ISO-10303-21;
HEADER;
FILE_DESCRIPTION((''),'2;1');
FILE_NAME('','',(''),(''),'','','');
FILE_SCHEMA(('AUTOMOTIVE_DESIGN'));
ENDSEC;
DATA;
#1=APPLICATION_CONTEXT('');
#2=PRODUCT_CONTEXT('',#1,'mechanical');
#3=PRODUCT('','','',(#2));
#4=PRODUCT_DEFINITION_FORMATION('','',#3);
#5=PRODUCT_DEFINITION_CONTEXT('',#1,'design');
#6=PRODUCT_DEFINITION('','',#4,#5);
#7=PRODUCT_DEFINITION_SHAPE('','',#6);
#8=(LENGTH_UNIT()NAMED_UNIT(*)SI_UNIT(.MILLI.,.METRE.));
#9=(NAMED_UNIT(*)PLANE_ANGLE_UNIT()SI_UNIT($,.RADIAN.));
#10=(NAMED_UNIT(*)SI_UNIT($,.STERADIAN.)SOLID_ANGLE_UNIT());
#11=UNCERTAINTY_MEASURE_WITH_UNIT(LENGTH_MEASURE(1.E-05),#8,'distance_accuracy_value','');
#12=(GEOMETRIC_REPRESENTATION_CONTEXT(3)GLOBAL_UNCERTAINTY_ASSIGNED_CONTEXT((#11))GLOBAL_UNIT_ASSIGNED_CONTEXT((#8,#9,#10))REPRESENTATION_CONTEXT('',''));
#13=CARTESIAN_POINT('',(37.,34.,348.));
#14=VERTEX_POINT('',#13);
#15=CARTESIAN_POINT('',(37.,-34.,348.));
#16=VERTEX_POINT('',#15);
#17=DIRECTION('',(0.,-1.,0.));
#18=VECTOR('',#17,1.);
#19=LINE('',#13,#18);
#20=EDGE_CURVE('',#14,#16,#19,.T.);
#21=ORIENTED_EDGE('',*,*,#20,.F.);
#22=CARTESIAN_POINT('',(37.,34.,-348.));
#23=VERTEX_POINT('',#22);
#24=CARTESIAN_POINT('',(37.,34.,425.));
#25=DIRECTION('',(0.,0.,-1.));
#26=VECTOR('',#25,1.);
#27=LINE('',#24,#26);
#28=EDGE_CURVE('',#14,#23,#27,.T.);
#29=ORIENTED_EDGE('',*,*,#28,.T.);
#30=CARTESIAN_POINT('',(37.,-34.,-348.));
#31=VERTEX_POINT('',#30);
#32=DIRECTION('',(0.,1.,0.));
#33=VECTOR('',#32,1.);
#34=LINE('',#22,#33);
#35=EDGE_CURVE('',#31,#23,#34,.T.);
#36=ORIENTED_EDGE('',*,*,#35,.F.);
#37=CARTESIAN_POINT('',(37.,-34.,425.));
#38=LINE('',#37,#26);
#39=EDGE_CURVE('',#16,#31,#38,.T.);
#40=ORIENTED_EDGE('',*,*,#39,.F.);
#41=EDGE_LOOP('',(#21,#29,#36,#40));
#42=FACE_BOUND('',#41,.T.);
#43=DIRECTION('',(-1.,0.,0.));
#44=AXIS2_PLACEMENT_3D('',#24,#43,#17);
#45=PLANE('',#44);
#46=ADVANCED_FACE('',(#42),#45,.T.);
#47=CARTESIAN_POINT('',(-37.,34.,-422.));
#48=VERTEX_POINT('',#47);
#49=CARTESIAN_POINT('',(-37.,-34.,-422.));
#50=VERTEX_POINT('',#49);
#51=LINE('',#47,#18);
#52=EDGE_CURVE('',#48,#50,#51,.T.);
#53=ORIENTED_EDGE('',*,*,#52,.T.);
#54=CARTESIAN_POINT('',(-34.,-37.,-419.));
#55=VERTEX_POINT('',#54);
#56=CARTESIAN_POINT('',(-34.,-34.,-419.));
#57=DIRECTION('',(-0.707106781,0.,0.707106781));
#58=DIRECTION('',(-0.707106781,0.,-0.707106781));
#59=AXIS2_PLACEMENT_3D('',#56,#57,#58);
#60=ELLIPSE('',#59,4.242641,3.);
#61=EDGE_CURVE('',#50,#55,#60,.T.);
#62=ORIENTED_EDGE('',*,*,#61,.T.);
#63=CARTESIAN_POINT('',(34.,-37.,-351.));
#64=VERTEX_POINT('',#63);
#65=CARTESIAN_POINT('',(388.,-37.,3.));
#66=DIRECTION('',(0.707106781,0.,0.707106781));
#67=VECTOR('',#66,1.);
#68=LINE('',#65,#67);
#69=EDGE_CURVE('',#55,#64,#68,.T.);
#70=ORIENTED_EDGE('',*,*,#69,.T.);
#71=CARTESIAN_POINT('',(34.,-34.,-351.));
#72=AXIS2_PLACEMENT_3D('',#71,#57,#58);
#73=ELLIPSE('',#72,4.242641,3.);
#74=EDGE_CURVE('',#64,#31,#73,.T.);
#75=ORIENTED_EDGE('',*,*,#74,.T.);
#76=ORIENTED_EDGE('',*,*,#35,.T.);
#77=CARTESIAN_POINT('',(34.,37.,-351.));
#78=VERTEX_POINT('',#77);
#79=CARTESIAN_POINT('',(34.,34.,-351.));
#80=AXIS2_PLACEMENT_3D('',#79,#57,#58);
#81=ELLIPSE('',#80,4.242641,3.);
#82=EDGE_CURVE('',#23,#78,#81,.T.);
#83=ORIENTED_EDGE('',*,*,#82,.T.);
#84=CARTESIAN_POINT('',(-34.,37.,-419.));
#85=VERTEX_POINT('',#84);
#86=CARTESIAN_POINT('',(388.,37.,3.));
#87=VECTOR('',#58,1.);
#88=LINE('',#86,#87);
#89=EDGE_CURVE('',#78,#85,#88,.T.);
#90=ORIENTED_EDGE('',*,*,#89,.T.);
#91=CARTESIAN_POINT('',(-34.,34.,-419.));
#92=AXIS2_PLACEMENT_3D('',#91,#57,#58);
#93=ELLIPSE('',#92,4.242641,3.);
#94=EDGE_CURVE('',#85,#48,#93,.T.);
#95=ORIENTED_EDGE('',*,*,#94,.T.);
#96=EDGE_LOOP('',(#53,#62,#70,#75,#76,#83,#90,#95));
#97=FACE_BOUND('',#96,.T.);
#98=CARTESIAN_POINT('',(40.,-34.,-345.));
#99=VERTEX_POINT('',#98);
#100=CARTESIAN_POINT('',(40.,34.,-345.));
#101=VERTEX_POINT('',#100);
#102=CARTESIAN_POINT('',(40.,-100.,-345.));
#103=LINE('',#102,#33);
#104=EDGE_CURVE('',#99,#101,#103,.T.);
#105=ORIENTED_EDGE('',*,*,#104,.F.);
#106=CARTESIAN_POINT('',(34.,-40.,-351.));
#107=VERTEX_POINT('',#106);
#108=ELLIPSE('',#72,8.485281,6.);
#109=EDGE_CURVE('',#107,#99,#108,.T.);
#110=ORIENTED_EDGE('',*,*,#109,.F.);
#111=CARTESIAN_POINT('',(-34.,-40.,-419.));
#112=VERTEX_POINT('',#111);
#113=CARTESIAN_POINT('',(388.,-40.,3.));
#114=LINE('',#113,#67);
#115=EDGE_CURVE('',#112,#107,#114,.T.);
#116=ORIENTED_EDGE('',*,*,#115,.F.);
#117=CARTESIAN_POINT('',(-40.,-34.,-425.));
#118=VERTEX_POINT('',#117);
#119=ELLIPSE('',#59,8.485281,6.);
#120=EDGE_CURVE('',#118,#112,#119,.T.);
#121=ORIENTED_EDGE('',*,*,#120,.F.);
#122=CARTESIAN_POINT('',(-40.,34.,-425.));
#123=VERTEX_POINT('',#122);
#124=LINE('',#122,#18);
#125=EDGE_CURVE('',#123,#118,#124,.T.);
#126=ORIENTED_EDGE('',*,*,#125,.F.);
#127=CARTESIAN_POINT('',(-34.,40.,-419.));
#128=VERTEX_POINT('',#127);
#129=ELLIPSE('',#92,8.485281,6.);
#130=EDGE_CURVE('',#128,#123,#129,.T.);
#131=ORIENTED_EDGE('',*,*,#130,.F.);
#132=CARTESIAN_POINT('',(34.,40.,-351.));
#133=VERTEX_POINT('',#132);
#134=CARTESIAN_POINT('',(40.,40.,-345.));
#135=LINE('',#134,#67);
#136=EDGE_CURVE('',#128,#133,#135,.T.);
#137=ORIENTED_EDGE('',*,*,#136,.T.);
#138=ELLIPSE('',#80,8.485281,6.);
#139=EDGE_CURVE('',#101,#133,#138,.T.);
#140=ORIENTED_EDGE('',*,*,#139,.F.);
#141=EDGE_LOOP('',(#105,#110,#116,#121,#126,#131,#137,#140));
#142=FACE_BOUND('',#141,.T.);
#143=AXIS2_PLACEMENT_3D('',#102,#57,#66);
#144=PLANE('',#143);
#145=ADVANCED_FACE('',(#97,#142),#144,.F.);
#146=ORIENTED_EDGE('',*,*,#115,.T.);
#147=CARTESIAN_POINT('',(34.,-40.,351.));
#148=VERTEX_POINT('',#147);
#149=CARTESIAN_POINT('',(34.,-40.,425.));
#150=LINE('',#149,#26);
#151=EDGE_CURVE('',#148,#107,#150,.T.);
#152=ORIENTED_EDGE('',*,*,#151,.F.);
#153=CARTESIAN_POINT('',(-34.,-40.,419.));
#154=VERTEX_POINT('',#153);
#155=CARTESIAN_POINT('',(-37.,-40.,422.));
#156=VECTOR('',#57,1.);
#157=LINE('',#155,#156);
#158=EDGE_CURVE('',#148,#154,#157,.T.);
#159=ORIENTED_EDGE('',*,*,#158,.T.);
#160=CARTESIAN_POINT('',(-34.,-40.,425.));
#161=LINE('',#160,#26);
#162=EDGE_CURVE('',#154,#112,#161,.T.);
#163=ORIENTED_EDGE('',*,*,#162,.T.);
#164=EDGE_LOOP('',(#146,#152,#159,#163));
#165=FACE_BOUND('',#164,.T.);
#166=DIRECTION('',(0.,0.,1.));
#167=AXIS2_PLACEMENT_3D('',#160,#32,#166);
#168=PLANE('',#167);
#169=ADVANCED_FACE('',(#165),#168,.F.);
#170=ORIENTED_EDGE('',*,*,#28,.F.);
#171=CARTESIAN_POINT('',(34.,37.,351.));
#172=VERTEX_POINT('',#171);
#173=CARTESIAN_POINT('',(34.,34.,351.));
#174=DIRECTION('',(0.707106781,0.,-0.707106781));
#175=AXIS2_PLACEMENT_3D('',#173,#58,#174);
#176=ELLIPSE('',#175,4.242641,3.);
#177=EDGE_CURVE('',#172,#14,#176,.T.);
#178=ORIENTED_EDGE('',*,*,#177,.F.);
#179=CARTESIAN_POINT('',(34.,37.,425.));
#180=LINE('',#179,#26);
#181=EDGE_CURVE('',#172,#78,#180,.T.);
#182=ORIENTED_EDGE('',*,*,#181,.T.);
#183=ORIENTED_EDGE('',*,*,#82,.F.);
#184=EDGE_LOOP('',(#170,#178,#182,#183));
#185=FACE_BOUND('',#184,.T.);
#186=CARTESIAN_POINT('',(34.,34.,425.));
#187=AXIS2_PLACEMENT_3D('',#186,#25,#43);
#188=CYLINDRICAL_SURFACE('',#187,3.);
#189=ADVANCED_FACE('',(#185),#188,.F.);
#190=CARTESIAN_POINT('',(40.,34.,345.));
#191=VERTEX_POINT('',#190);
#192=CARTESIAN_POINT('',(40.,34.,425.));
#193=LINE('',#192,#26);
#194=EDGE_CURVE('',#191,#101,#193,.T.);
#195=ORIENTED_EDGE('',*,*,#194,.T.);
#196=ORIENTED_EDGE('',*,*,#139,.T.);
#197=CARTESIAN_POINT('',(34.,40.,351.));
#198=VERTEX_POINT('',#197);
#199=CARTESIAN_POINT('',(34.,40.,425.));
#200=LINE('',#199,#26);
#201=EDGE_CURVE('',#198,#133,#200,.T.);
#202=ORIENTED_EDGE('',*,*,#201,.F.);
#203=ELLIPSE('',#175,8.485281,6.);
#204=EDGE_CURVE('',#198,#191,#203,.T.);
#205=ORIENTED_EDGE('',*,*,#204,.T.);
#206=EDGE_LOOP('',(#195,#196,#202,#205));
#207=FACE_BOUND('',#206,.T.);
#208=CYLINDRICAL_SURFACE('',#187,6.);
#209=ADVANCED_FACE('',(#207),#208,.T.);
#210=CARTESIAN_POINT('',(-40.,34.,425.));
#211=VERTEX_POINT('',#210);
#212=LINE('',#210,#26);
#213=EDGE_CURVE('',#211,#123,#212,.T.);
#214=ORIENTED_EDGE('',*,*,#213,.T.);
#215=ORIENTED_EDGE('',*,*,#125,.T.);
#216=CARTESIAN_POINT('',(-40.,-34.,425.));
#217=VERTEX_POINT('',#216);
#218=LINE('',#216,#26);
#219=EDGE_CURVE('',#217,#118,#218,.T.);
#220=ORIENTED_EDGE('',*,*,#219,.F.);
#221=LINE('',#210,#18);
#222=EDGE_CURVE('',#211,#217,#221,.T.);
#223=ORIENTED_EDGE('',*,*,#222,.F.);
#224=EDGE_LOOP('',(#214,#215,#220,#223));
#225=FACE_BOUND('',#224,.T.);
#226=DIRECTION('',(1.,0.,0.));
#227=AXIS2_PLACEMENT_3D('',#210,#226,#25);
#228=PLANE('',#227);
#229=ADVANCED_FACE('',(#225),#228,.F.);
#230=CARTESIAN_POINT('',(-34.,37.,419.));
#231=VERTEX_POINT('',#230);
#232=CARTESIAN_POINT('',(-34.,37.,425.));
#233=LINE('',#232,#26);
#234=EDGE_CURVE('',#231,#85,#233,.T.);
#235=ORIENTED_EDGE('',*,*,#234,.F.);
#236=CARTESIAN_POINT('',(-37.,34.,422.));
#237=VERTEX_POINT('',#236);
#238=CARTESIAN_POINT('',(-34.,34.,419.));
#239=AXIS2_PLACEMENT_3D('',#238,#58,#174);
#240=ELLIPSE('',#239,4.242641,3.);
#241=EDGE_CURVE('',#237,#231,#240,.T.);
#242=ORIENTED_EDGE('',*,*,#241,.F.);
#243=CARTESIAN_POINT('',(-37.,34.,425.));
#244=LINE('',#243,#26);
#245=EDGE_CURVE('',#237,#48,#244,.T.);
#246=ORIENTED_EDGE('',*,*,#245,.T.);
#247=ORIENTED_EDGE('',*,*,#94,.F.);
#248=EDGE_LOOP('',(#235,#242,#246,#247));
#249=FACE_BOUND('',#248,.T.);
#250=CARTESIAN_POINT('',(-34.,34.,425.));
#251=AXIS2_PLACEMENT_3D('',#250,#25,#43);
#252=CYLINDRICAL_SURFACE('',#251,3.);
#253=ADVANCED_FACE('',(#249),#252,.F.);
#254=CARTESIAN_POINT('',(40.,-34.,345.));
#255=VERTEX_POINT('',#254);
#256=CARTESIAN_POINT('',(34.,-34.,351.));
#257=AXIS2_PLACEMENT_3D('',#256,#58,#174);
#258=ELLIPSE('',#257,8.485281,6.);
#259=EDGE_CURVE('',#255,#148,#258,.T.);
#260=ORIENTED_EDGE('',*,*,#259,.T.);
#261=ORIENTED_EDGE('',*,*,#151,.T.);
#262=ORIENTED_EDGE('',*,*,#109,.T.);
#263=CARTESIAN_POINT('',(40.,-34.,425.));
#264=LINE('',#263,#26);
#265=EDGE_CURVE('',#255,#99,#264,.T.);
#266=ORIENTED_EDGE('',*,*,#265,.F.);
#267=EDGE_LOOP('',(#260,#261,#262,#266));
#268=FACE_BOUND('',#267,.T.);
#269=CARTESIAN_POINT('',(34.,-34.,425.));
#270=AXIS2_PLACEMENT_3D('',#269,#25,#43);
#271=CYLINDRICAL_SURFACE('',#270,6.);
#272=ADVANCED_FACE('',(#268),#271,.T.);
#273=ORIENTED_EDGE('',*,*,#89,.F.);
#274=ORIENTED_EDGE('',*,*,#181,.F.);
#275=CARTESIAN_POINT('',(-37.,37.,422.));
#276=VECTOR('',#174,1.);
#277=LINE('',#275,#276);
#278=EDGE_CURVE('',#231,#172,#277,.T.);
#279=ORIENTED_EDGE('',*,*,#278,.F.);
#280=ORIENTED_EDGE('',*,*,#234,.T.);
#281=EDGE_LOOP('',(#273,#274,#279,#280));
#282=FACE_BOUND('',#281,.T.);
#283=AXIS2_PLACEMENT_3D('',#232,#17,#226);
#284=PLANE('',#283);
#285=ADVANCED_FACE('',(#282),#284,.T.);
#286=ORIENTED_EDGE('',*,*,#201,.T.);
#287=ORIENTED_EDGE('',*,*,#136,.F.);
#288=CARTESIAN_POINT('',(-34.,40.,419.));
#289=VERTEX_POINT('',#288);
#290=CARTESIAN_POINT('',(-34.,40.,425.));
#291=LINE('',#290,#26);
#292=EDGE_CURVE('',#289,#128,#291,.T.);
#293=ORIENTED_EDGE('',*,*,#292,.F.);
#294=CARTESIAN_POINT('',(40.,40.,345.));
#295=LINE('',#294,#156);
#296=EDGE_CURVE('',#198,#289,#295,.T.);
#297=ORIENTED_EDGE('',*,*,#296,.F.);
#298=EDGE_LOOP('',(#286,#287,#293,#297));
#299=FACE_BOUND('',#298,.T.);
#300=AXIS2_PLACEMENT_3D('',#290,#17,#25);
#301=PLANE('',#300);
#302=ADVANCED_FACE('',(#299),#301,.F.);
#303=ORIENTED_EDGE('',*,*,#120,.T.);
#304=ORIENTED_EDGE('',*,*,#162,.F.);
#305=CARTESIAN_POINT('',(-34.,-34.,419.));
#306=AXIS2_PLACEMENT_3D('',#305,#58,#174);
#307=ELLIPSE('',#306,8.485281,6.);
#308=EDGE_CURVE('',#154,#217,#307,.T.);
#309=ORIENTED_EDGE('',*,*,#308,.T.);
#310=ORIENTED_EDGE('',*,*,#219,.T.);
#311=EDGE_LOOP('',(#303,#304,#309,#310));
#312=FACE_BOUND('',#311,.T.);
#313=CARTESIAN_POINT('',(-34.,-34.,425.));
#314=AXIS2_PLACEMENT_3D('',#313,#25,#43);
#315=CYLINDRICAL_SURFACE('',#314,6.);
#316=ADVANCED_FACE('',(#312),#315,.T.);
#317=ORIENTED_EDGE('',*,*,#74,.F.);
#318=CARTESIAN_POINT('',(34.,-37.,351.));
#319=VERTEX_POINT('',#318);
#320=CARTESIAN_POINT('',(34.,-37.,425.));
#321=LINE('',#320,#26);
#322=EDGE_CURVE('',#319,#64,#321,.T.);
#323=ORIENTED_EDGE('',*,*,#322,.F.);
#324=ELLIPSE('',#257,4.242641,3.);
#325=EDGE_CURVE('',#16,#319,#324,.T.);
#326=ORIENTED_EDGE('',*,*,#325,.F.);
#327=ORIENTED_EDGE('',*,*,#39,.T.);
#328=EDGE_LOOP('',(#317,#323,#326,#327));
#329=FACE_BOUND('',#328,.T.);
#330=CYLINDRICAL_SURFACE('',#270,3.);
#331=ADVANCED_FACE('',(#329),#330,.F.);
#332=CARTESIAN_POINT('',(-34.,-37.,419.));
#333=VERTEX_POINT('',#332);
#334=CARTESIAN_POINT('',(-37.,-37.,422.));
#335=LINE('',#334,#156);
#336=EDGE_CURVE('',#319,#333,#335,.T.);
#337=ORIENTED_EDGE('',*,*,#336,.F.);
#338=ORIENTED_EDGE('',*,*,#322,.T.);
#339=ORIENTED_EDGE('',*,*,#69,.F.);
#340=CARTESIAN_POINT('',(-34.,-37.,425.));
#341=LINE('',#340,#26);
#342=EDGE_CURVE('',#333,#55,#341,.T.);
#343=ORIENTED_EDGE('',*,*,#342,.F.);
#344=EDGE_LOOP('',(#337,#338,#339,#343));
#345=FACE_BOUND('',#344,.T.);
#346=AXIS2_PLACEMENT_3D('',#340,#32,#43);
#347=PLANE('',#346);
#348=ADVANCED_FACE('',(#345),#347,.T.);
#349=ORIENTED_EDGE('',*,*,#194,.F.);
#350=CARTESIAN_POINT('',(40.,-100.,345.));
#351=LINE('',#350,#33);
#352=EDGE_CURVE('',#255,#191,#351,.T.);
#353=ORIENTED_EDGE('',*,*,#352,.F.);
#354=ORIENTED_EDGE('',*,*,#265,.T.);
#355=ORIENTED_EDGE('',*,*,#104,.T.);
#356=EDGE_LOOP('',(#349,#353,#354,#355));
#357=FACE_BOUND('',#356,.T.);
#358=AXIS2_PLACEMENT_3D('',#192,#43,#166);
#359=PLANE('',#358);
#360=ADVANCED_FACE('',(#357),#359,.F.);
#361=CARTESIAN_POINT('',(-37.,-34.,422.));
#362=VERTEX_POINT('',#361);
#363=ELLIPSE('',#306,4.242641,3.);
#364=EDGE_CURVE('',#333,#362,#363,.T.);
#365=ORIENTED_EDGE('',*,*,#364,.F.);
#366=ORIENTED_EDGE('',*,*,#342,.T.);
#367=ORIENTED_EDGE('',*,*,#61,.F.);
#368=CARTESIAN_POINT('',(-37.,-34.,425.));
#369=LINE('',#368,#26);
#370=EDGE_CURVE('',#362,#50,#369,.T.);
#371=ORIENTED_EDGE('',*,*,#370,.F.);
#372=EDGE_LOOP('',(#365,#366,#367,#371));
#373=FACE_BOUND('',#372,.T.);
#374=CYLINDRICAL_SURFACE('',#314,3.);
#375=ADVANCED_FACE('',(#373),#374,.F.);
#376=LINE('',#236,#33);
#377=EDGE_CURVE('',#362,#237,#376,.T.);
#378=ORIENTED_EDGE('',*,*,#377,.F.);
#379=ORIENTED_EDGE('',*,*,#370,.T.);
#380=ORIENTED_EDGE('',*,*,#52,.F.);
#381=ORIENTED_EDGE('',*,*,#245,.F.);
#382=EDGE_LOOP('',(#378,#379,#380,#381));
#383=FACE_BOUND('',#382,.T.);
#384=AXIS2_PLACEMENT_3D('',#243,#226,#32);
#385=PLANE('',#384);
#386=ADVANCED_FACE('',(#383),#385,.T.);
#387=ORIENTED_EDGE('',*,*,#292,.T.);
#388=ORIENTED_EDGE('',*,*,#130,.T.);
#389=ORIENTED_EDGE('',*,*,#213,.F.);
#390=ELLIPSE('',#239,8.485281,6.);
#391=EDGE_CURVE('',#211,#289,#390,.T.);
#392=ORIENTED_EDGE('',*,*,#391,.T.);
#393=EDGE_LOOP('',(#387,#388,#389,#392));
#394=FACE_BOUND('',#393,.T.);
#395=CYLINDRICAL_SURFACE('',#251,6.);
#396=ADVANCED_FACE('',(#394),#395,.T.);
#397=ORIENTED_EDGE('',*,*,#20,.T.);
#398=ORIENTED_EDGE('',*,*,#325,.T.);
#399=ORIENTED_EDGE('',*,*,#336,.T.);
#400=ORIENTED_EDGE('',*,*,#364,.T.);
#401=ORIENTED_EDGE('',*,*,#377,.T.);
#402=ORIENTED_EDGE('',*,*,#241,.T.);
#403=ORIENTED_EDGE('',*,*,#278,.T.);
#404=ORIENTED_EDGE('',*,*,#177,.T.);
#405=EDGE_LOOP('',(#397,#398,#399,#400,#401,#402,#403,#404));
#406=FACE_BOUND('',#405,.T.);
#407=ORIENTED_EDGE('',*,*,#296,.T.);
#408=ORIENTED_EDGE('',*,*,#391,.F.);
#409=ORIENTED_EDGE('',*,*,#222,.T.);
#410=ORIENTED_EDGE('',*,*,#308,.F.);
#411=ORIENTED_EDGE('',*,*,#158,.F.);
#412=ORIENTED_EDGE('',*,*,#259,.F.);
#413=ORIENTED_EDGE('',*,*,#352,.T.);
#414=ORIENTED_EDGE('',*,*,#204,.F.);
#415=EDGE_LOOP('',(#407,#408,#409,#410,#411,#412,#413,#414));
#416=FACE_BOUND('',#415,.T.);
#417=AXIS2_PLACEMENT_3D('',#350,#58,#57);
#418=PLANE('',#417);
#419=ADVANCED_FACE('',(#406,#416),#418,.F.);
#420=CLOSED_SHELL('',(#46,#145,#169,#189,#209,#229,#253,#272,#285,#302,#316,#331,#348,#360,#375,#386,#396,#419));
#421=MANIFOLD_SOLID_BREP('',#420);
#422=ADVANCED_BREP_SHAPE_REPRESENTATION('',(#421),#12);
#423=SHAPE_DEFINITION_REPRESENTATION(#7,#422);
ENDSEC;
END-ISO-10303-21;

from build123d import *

# Parameters (mm, degrees)
AUFSATZ_LINEAR_AUSTRAGEN1_DEPTH = 425
SCHNITT_LINEAR_AUSTRAGEN1_DEPTH = 140


with BuildPart() as part:
    # Skizze1 → Aufsatz-Linear austragen1 (new, symmetric)
    with BuildSketch(Plane.XY):
        with BuildLine():
            Line((-34, 40), (34, 40))
            ThreePointArc((34, 40), (38.242640687, 38.242640687), (40, 34))
            Line((40, 34), (40, -34))
            ThreePointArc((40, -34), (38.242640687, -38.242640687), (34, -40))
            Line((34, -40), (-34, -40))
            ThreePointArc((-34, -40), (-38.242640687, -38.242640687), (-40, -34))
            Line((-40, -34), (-40, 34))
            ThreePointArc((-40, 34), (-38.242640687, 38.242640687), (-34, 40))
        make_face()
        with BuildLine():
            Line((-37, 34), (-37, -34))
            ThreePointArc((-37, -34), (-36.121320344, -36.121320344), (-34, -37))
            Line((-34, -37), (34, -37))
            ThreePointArc((34, -37), (36.121320344, -36.121320344), (37, -34))
            Line((37, -34), (37, 34))
            ThreePointArc((37, 34), (36.121320344, 36.121320344), (34, 37))
            Line((34, 37), (-34, 37))
            ThreePointArc((-34, 37), (-36.121320344, 36.121320344), (-37, 34))
        make_face(mode=Mode.SUBTRACT)
    extrude(amount=AUFSATZ_LINEAR_AUSTRAGEN1_DEPTH, both=True)

    # Skizze2 → Schnitt-Linear austragen1 (cut)
    with BuildSketch(Plane(origin=(0, 40, 0), x_dir=(1, 0, 0), z_dir=(0, 1, 0))):
        Polygon((-40, 425), (40, 425), (40, 345), align=None)
        Polygon((40, -345), (-40, -425), (40, -425), align=None)
    extrude(amount=-SCHNITT_LINEAR_AUSTRAGEN1_DEPTH, mode=Mode.SUBTRACT)


solid = part.part
